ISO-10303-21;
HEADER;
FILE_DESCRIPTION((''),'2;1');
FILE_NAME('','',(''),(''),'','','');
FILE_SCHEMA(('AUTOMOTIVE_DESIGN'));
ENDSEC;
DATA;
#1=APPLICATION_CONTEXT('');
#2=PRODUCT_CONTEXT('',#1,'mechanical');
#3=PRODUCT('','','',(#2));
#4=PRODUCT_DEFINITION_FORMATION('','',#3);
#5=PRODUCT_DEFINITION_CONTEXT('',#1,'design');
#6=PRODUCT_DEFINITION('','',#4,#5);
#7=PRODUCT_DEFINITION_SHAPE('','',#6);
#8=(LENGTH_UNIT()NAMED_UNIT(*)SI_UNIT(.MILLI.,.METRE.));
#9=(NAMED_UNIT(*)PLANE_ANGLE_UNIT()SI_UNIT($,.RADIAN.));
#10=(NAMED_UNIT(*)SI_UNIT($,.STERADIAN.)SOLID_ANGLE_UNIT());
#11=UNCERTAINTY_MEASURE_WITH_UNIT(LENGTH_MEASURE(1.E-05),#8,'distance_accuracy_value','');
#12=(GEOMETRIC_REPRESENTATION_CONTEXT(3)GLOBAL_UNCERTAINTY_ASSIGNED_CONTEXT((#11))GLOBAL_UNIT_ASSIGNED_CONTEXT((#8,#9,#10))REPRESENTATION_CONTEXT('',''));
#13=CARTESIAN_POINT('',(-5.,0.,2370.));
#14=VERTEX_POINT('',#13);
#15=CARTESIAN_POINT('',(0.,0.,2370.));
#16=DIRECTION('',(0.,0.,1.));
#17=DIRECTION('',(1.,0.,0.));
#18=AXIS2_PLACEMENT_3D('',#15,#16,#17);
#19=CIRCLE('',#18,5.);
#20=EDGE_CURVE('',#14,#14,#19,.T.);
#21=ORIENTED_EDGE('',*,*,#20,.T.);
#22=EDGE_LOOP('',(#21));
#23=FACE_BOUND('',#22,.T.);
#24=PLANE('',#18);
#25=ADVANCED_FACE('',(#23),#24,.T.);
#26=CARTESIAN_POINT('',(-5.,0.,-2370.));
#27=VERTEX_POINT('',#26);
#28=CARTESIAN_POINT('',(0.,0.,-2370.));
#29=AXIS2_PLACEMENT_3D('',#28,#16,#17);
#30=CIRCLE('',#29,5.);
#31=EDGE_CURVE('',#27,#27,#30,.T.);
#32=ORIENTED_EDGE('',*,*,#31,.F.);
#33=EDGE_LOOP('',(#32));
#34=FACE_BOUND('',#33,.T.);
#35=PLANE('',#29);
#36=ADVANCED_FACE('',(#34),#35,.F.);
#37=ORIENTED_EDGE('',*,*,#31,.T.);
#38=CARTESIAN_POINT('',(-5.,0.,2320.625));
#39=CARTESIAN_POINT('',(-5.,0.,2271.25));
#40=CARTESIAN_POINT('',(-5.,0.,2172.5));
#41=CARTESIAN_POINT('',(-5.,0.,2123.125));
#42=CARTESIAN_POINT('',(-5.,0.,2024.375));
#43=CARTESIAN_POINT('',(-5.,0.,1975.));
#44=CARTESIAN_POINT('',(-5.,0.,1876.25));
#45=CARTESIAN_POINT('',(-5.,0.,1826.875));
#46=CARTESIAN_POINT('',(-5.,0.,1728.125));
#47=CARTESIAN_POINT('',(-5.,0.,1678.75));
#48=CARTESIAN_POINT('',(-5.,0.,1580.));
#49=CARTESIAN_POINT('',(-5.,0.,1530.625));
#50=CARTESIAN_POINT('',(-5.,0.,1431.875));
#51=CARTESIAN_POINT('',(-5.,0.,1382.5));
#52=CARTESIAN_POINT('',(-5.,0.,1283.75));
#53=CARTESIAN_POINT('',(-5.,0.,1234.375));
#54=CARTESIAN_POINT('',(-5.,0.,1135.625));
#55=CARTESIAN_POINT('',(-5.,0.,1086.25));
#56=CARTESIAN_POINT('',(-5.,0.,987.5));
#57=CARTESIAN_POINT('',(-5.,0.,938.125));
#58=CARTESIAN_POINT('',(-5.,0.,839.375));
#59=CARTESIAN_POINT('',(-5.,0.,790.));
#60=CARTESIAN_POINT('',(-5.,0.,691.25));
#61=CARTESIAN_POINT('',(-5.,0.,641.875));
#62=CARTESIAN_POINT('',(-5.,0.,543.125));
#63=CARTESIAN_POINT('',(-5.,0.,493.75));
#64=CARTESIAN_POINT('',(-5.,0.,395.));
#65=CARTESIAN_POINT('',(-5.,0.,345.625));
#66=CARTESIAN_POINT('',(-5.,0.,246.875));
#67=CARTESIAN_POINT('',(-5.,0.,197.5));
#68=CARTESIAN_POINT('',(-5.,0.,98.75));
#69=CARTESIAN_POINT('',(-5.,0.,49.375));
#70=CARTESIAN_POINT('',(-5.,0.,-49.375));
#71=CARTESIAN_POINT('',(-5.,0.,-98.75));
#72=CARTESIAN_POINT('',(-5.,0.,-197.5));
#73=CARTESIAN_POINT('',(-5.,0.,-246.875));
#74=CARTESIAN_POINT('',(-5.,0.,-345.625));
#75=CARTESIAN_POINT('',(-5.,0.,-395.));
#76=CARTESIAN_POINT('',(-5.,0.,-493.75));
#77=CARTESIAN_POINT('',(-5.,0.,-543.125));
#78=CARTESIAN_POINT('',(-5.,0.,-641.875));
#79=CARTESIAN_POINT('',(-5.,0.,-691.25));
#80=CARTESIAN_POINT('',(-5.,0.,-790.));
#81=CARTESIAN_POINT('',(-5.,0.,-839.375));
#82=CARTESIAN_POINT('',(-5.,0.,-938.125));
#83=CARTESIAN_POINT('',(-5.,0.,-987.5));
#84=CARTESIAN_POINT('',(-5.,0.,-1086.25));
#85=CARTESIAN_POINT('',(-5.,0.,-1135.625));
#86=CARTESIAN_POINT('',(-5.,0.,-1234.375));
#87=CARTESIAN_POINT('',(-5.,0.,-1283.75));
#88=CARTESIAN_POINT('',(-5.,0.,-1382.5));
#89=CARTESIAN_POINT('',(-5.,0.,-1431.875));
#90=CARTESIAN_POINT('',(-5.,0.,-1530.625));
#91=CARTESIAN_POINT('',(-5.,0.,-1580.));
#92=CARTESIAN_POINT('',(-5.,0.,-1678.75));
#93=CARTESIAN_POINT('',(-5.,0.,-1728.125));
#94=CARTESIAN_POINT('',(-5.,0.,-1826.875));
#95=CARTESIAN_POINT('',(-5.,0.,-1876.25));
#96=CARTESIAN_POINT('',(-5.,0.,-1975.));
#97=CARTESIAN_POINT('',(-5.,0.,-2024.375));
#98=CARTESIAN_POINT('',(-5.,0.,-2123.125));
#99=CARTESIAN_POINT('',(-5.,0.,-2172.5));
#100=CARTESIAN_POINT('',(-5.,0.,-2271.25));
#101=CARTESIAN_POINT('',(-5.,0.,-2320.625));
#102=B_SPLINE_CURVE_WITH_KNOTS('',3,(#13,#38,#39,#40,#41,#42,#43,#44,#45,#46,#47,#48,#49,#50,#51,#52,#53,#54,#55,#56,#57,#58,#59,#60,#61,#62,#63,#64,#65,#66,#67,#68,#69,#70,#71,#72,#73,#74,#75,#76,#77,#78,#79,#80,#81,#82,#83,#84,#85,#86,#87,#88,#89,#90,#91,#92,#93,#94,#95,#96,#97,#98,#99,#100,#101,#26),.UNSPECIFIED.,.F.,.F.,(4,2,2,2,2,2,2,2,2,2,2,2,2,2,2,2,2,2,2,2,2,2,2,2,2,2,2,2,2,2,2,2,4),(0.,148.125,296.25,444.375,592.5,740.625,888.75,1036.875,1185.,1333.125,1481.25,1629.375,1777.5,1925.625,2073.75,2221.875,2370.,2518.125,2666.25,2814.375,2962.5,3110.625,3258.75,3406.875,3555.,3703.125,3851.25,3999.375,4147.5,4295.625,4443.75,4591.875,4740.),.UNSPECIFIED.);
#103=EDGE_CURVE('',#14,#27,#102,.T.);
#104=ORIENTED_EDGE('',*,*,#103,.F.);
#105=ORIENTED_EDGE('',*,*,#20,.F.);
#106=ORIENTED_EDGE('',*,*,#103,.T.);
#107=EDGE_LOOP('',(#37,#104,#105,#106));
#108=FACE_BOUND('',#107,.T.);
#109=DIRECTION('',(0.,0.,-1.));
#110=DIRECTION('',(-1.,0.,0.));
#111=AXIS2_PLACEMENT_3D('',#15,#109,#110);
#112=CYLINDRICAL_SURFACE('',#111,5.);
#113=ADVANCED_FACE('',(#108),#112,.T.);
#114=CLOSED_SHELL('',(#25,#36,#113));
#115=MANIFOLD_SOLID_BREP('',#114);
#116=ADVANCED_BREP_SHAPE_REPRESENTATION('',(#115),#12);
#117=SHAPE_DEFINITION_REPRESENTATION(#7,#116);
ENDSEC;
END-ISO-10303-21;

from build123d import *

# Parameters (mm, degrees)
ESBO_O1_R                = 5
RESSALTO_EXTRUS_O1_DEPTH = 2370


with BuildPart() as part:
    # Esboço1 → Ressalto-extrusão1 (new, symmetric)
    with BuildSketch(Plane.XY):
        with Locations(Location((0, 0, 0), (0, 0, 180))):
            Circle(ESBO_O1_R)
    extrude(amount=RESSALTO_EXTRUS_O1_DEPTH, both=True)


solid = part.part
